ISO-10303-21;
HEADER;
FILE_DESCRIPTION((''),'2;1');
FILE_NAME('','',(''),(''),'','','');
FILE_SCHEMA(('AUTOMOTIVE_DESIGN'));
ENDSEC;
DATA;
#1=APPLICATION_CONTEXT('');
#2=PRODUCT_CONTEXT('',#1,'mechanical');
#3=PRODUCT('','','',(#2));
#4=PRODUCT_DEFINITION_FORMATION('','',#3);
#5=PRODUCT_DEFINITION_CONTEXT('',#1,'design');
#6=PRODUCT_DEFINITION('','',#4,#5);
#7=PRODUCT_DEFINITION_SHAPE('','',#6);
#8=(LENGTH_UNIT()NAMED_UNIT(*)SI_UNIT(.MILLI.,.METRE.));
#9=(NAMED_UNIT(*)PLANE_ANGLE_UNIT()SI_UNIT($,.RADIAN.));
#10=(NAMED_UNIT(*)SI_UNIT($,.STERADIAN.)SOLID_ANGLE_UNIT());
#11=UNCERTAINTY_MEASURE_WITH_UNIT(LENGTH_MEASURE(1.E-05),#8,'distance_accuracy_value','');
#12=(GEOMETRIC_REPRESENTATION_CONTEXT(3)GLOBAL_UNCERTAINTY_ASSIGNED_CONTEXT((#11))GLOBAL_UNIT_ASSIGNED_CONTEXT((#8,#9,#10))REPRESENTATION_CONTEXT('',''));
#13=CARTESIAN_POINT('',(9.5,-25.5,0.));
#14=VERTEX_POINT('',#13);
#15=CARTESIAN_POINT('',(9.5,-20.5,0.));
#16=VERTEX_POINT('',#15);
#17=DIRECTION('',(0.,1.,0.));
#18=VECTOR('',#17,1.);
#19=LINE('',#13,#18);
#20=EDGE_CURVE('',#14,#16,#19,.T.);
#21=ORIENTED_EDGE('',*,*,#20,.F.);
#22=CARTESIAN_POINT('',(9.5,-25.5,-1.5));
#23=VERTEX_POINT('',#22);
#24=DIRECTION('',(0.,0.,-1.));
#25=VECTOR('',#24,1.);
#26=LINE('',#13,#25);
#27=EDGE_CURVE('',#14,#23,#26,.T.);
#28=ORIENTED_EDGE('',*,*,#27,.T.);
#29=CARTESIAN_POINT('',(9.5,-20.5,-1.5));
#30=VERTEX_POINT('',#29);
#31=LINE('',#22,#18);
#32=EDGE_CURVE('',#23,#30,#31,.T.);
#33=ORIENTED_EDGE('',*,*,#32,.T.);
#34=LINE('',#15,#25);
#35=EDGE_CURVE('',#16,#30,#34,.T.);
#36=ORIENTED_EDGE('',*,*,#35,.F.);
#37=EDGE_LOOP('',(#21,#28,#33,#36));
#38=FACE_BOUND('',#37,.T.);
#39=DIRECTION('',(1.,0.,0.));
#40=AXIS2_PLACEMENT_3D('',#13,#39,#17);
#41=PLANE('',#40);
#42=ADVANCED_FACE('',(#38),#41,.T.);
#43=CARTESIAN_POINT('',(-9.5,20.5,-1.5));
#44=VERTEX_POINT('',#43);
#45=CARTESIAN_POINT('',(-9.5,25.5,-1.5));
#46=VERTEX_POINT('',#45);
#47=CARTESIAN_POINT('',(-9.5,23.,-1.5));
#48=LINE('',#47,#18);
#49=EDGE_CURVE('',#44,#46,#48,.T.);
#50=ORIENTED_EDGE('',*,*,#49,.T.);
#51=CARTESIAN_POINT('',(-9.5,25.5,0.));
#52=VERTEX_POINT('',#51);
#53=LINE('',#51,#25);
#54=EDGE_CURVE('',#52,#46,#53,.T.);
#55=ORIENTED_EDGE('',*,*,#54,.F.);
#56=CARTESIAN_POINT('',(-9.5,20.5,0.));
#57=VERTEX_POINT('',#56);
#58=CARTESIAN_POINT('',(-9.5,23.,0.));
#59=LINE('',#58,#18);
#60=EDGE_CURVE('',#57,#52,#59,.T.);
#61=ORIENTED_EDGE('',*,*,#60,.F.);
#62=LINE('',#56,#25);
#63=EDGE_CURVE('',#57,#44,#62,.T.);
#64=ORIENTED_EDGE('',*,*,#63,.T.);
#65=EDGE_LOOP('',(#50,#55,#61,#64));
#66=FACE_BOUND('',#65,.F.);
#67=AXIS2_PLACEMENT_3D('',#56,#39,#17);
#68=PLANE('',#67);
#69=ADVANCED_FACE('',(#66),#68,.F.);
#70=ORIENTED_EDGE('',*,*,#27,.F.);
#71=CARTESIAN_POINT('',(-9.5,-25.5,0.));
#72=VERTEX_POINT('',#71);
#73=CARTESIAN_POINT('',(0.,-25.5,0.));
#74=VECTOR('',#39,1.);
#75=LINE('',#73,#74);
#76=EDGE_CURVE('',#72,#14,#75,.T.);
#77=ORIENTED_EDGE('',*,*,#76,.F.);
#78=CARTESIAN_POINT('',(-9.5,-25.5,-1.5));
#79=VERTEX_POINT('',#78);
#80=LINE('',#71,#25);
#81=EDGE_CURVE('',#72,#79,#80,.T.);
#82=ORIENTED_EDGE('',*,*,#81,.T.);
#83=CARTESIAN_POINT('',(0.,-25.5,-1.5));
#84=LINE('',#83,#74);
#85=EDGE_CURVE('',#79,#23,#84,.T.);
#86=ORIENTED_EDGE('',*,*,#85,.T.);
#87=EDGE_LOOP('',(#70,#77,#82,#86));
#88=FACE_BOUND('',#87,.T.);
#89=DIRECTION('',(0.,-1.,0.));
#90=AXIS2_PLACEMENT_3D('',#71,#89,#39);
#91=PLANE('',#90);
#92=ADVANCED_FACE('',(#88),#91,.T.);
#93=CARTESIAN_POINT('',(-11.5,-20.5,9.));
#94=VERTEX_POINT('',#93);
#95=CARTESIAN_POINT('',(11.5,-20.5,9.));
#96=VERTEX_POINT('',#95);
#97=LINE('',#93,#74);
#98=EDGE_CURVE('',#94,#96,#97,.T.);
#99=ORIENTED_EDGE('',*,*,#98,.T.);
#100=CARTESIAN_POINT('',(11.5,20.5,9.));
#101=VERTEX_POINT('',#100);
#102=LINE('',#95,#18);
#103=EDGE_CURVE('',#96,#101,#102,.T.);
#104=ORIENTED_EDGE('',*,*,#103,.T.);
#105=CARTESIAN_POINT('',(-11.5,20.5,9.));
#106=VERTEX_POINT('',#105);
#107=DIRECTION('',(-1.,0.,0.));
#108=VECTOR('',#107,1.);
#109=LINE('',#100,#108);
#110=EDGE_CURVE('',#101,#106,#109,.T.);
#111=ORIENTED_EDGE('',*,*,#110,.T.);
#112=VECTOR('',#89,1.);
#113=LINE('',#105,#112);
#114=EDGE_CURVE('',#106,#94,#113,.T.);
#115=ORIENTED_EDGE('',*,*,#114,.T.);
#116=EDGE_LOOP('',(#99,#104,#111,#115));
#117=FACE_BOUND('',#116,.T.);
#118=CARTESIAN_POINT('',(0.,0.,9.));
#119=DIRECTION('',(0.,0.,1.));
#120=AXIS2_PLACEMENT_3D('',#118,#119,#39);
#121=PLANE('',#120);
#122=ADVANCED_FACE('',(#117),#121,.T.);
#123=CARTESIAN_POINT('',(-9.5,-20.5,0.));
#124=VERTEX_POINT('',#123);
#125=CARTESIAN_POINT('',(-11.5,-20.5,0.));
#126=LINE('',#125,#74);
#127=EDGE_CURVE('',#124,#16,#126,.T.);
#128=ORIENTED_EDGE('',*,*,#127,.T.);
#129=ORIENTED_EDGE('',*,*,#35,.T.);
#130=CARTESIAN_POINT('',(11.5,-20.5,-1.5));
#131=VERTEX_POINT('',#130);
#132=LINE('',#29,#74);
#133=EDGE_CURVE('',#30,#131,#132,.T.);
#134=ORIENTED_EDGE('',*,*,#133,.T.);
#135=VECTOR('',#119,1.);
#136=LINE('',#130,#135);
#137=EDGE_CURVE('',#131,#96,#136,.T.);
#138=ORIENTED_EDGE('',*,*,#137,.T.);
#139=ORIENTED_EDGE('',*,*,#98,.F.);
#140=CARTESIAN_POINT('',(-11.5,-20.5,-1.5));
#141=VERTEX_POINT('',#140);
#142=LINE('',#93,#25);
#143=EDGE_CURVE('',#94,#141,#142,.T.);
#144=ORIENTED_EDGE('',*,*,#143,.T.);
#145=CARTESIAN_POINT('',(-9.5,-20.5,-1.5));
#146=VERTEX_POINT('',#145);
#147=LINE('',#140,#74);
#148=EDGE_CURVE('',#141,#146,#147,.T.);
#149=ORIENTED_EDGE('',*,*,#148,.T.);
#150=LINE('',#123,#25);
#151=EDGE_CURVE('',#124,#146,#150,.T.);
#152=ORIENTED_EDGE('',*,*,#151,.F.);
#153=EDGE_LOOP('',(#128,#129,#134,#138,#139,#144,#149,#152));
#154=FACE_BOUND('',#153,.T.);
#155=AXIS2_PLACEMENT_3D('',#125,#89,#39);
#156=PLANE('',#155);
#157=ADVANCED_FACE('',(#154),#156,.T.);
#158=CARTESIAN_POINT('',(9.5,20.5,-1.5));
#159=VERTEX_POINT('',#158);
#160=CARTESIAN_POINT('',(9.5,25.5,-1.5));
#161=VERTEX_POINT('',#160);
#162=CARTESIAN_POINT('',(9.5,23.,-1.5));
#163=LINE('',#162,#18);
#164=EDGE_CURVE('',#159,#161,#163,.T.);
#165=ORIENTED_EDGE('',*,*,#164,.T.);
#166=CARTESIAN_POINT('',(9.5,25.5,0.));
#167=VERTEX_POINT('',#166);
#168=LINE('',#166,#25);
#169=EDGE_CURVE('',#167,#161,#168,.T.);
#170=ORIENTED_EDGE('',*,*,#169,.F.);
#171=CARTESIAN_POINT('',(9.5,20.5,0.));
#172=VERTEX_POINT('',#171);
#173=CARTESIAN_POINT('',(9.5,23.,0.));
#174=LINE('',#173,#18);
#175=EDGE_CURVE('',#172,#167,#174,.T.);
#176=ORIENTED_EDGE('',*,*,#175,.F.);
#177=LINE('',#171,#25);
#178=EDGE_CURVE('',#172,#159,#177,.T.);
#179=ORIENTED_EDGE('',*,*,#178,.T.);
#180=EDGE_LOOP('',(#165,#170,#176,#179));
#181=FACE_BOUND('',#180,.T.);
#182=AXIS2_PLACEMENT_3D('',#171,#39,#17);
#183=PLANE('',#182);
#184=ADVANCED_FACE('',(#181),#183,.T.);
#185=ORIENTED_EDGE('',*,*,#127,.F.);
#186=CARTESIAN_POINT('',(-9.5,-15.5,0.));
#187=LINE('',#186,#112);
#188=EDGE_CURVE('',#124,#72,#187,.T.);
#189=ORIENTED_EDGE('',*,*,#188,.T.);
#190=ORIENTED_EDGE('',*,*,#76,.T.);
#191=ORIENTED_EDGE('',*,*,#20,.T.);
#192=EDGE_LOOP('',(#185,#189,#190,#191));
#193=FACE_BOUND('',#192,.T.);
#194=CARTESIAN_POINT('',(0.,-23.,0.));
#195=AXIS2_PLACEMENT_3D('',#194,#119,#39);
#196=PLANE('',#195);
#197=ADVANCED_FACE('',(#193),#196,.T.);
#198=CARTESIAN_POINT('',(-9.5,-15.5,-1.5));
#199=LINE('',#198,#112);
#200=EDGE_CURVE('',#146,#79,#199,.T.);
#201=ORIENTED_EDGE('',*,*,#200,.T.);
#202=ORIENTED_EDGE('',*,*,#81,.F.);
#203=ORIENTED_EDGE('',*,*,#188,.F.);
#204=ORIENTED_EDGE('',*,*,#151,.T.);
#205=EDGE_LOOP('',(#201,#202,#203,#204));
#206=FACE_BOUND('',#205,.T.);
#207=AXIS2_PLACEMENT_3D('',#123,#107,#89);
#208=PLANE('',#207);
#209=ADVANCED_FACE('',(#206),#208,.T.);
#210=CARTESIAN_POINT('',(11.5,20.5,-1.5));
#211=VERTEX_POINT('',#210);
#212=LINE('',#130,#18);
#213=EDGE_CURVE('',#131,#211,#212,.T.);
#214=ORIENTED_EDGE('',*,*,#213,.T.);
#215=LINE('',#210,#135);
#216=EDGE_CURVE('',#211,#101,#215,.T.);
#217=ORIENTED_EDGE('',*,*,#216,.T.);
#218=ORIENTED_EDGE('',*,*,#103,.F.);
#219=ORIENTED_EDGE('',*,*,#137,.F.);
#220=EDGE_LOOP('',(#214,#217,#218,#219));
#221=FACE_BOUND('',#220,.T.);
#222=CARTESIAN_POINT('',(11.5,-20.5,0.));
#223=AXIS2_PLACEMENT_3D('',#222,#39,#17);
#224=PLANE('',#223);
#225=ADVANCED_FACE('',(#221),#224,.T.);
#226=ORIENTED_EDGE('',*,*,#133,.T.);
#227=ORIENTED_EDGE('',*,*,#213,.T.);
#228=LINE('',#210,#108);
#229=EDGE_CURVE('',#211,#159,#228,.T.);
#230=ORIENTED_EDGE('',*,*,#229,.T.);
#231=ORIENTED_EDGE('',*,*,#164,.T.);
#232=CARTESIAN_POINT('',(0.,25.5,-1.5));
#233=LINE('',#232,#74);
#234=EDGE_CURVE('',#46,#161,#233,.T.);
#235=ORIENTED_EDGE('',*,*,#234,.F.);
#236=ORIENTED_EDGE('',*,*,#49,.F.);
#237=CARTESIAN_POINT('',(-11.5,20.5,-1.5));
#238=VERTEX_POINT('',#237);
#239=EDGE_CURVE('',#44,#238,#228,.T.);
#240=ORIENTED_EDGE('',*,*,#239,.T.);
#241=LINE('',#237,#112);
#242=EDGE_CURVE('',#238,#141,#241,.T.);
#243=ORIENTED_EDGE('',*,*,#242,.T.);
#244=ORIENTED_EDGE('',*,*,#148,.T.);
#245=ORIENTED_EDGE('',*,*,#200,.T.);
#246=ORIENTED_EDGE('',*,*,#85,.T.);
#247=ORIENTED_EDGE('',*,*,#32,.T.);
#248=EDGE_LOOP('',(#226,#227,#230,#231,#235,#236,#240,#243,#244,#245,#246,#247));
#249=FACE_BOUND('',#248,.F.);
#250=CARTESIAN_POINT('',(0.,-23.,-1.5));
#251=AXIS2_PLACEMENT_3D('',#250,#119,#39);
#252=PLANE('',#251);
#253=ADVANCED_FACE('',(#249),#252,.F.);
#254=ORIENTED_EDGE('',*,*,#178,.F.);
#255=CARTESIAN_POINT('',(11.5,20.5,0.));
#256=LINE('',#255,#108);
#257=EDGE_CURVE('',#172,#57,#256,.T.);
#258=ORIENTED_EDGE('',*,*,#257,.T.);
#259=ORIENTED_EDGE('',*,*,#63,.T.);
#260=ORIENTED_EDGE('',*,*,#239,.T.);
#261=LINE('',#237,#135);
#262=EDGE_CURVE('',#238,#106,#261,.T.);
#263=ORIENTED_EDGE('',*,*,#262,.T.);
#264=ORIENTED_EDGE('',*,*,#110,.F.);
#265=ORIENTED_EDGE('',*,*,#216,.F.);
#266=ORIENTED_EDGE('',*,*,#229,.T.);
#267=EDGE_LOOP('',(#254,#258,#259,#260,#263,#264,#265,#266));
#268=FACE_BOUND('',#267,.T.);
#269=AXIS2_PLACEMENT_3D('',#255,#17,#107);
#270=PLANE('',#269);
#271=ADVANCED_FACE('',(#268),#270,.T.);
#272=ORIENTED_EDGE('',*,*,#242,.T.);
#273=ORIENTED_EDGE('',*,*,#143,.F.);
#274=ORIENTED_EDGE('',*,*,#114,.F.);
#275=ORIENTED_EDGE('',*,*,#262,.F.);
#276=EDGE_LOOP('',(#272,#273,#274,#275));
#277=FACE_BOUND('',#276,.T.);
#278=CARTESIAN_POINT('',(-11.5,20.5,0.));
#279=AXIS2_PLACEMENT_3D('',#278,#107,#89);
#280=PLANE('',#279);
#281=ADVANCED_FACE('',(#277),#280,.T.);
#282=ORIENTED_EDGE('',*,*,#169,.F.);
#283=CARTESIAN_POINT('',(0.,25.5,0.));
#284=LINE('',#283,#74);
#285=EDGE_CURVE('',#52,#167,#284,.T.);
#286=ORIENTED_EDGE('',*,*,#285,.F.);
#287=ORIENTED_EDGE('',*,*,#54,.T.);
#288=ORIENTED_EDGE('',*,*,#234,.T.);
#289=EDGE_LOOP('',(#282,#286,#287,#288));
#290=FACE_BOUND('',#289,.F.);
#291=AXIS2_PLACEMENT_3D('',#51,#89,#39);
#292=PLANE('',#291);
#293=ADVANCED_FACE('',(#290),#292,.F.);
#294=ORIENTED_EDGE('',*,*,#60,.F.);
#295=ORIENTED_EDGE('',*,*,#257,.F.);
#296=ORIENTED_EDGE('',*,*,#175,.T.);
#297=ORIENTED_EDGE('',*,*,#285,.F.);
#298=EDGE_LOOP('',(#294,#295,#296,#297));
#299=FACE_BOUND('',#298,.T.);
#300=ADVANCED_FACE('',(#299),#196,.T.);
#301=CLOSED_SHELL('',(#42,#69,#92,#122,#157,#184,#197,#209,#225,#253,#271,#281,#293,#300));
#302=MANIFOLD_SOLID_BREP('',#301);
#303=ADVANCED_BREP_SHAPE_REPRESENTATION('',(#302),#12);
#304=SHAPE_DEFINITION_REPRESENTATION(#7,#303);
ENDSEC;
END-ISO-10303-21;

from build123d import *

# Parameters (mm, degrees)
F0_W     = 19
F0_H     = 5
F1_DEPTH = 9
F2_DEPTH = 1.5


with BuildPart() as f1:
    # F0 (on Top) → F1 (new body)
    with BuildSketch(Plane.XY):
        Polygon((9.5, -20.5), (11.5, -20.5), (11.5, 20.5), (9.5, 20.5), (9.5, 15.5), (-9.5, 15.5), (-9.5, 20.5), (-11.5, 20.5), (-11.5, -20.5), (-9.5, -20.5), (-9.5, -15.5), (9.5, -15.5), align=None)
        with Locations((0, 18)):
            Rectangle(F0_W, F0_H)
        with Locations((0, -18)):
            Rectangle(F0_W, F0_H)
    extrude(amount=F1_DEPTH)

    # F0 (on Top) → F2 (join)
    with BuildSketch(Plane.XY):
        with Locations((0, -23)):
            Rectangle(F0_W, F0_H)
        with Locations((0, -18)):
            Rectangle(F0_W, F0_H)
        Polygon((9.5, -20.5), (11.5, -20.5), (11.5, 20.5), (9.5, 20.5), (9.5, 15.5), (-9.5, 15.5), (-9.5, 20.5), (-11.5, 20.5), (-11.5, -20.5), (-9.5, -20.5), (-9.5, -15.5), (9.5, -15.5), align=None)
        with Locations((0, 18)):
            Rectangle(F0_W, F0_H)
        with Locations((0, 23)):
            Rectangle(F0_W, F0_H)
    extrude(amount=-F2_DEPTH)


solid = f1.part
